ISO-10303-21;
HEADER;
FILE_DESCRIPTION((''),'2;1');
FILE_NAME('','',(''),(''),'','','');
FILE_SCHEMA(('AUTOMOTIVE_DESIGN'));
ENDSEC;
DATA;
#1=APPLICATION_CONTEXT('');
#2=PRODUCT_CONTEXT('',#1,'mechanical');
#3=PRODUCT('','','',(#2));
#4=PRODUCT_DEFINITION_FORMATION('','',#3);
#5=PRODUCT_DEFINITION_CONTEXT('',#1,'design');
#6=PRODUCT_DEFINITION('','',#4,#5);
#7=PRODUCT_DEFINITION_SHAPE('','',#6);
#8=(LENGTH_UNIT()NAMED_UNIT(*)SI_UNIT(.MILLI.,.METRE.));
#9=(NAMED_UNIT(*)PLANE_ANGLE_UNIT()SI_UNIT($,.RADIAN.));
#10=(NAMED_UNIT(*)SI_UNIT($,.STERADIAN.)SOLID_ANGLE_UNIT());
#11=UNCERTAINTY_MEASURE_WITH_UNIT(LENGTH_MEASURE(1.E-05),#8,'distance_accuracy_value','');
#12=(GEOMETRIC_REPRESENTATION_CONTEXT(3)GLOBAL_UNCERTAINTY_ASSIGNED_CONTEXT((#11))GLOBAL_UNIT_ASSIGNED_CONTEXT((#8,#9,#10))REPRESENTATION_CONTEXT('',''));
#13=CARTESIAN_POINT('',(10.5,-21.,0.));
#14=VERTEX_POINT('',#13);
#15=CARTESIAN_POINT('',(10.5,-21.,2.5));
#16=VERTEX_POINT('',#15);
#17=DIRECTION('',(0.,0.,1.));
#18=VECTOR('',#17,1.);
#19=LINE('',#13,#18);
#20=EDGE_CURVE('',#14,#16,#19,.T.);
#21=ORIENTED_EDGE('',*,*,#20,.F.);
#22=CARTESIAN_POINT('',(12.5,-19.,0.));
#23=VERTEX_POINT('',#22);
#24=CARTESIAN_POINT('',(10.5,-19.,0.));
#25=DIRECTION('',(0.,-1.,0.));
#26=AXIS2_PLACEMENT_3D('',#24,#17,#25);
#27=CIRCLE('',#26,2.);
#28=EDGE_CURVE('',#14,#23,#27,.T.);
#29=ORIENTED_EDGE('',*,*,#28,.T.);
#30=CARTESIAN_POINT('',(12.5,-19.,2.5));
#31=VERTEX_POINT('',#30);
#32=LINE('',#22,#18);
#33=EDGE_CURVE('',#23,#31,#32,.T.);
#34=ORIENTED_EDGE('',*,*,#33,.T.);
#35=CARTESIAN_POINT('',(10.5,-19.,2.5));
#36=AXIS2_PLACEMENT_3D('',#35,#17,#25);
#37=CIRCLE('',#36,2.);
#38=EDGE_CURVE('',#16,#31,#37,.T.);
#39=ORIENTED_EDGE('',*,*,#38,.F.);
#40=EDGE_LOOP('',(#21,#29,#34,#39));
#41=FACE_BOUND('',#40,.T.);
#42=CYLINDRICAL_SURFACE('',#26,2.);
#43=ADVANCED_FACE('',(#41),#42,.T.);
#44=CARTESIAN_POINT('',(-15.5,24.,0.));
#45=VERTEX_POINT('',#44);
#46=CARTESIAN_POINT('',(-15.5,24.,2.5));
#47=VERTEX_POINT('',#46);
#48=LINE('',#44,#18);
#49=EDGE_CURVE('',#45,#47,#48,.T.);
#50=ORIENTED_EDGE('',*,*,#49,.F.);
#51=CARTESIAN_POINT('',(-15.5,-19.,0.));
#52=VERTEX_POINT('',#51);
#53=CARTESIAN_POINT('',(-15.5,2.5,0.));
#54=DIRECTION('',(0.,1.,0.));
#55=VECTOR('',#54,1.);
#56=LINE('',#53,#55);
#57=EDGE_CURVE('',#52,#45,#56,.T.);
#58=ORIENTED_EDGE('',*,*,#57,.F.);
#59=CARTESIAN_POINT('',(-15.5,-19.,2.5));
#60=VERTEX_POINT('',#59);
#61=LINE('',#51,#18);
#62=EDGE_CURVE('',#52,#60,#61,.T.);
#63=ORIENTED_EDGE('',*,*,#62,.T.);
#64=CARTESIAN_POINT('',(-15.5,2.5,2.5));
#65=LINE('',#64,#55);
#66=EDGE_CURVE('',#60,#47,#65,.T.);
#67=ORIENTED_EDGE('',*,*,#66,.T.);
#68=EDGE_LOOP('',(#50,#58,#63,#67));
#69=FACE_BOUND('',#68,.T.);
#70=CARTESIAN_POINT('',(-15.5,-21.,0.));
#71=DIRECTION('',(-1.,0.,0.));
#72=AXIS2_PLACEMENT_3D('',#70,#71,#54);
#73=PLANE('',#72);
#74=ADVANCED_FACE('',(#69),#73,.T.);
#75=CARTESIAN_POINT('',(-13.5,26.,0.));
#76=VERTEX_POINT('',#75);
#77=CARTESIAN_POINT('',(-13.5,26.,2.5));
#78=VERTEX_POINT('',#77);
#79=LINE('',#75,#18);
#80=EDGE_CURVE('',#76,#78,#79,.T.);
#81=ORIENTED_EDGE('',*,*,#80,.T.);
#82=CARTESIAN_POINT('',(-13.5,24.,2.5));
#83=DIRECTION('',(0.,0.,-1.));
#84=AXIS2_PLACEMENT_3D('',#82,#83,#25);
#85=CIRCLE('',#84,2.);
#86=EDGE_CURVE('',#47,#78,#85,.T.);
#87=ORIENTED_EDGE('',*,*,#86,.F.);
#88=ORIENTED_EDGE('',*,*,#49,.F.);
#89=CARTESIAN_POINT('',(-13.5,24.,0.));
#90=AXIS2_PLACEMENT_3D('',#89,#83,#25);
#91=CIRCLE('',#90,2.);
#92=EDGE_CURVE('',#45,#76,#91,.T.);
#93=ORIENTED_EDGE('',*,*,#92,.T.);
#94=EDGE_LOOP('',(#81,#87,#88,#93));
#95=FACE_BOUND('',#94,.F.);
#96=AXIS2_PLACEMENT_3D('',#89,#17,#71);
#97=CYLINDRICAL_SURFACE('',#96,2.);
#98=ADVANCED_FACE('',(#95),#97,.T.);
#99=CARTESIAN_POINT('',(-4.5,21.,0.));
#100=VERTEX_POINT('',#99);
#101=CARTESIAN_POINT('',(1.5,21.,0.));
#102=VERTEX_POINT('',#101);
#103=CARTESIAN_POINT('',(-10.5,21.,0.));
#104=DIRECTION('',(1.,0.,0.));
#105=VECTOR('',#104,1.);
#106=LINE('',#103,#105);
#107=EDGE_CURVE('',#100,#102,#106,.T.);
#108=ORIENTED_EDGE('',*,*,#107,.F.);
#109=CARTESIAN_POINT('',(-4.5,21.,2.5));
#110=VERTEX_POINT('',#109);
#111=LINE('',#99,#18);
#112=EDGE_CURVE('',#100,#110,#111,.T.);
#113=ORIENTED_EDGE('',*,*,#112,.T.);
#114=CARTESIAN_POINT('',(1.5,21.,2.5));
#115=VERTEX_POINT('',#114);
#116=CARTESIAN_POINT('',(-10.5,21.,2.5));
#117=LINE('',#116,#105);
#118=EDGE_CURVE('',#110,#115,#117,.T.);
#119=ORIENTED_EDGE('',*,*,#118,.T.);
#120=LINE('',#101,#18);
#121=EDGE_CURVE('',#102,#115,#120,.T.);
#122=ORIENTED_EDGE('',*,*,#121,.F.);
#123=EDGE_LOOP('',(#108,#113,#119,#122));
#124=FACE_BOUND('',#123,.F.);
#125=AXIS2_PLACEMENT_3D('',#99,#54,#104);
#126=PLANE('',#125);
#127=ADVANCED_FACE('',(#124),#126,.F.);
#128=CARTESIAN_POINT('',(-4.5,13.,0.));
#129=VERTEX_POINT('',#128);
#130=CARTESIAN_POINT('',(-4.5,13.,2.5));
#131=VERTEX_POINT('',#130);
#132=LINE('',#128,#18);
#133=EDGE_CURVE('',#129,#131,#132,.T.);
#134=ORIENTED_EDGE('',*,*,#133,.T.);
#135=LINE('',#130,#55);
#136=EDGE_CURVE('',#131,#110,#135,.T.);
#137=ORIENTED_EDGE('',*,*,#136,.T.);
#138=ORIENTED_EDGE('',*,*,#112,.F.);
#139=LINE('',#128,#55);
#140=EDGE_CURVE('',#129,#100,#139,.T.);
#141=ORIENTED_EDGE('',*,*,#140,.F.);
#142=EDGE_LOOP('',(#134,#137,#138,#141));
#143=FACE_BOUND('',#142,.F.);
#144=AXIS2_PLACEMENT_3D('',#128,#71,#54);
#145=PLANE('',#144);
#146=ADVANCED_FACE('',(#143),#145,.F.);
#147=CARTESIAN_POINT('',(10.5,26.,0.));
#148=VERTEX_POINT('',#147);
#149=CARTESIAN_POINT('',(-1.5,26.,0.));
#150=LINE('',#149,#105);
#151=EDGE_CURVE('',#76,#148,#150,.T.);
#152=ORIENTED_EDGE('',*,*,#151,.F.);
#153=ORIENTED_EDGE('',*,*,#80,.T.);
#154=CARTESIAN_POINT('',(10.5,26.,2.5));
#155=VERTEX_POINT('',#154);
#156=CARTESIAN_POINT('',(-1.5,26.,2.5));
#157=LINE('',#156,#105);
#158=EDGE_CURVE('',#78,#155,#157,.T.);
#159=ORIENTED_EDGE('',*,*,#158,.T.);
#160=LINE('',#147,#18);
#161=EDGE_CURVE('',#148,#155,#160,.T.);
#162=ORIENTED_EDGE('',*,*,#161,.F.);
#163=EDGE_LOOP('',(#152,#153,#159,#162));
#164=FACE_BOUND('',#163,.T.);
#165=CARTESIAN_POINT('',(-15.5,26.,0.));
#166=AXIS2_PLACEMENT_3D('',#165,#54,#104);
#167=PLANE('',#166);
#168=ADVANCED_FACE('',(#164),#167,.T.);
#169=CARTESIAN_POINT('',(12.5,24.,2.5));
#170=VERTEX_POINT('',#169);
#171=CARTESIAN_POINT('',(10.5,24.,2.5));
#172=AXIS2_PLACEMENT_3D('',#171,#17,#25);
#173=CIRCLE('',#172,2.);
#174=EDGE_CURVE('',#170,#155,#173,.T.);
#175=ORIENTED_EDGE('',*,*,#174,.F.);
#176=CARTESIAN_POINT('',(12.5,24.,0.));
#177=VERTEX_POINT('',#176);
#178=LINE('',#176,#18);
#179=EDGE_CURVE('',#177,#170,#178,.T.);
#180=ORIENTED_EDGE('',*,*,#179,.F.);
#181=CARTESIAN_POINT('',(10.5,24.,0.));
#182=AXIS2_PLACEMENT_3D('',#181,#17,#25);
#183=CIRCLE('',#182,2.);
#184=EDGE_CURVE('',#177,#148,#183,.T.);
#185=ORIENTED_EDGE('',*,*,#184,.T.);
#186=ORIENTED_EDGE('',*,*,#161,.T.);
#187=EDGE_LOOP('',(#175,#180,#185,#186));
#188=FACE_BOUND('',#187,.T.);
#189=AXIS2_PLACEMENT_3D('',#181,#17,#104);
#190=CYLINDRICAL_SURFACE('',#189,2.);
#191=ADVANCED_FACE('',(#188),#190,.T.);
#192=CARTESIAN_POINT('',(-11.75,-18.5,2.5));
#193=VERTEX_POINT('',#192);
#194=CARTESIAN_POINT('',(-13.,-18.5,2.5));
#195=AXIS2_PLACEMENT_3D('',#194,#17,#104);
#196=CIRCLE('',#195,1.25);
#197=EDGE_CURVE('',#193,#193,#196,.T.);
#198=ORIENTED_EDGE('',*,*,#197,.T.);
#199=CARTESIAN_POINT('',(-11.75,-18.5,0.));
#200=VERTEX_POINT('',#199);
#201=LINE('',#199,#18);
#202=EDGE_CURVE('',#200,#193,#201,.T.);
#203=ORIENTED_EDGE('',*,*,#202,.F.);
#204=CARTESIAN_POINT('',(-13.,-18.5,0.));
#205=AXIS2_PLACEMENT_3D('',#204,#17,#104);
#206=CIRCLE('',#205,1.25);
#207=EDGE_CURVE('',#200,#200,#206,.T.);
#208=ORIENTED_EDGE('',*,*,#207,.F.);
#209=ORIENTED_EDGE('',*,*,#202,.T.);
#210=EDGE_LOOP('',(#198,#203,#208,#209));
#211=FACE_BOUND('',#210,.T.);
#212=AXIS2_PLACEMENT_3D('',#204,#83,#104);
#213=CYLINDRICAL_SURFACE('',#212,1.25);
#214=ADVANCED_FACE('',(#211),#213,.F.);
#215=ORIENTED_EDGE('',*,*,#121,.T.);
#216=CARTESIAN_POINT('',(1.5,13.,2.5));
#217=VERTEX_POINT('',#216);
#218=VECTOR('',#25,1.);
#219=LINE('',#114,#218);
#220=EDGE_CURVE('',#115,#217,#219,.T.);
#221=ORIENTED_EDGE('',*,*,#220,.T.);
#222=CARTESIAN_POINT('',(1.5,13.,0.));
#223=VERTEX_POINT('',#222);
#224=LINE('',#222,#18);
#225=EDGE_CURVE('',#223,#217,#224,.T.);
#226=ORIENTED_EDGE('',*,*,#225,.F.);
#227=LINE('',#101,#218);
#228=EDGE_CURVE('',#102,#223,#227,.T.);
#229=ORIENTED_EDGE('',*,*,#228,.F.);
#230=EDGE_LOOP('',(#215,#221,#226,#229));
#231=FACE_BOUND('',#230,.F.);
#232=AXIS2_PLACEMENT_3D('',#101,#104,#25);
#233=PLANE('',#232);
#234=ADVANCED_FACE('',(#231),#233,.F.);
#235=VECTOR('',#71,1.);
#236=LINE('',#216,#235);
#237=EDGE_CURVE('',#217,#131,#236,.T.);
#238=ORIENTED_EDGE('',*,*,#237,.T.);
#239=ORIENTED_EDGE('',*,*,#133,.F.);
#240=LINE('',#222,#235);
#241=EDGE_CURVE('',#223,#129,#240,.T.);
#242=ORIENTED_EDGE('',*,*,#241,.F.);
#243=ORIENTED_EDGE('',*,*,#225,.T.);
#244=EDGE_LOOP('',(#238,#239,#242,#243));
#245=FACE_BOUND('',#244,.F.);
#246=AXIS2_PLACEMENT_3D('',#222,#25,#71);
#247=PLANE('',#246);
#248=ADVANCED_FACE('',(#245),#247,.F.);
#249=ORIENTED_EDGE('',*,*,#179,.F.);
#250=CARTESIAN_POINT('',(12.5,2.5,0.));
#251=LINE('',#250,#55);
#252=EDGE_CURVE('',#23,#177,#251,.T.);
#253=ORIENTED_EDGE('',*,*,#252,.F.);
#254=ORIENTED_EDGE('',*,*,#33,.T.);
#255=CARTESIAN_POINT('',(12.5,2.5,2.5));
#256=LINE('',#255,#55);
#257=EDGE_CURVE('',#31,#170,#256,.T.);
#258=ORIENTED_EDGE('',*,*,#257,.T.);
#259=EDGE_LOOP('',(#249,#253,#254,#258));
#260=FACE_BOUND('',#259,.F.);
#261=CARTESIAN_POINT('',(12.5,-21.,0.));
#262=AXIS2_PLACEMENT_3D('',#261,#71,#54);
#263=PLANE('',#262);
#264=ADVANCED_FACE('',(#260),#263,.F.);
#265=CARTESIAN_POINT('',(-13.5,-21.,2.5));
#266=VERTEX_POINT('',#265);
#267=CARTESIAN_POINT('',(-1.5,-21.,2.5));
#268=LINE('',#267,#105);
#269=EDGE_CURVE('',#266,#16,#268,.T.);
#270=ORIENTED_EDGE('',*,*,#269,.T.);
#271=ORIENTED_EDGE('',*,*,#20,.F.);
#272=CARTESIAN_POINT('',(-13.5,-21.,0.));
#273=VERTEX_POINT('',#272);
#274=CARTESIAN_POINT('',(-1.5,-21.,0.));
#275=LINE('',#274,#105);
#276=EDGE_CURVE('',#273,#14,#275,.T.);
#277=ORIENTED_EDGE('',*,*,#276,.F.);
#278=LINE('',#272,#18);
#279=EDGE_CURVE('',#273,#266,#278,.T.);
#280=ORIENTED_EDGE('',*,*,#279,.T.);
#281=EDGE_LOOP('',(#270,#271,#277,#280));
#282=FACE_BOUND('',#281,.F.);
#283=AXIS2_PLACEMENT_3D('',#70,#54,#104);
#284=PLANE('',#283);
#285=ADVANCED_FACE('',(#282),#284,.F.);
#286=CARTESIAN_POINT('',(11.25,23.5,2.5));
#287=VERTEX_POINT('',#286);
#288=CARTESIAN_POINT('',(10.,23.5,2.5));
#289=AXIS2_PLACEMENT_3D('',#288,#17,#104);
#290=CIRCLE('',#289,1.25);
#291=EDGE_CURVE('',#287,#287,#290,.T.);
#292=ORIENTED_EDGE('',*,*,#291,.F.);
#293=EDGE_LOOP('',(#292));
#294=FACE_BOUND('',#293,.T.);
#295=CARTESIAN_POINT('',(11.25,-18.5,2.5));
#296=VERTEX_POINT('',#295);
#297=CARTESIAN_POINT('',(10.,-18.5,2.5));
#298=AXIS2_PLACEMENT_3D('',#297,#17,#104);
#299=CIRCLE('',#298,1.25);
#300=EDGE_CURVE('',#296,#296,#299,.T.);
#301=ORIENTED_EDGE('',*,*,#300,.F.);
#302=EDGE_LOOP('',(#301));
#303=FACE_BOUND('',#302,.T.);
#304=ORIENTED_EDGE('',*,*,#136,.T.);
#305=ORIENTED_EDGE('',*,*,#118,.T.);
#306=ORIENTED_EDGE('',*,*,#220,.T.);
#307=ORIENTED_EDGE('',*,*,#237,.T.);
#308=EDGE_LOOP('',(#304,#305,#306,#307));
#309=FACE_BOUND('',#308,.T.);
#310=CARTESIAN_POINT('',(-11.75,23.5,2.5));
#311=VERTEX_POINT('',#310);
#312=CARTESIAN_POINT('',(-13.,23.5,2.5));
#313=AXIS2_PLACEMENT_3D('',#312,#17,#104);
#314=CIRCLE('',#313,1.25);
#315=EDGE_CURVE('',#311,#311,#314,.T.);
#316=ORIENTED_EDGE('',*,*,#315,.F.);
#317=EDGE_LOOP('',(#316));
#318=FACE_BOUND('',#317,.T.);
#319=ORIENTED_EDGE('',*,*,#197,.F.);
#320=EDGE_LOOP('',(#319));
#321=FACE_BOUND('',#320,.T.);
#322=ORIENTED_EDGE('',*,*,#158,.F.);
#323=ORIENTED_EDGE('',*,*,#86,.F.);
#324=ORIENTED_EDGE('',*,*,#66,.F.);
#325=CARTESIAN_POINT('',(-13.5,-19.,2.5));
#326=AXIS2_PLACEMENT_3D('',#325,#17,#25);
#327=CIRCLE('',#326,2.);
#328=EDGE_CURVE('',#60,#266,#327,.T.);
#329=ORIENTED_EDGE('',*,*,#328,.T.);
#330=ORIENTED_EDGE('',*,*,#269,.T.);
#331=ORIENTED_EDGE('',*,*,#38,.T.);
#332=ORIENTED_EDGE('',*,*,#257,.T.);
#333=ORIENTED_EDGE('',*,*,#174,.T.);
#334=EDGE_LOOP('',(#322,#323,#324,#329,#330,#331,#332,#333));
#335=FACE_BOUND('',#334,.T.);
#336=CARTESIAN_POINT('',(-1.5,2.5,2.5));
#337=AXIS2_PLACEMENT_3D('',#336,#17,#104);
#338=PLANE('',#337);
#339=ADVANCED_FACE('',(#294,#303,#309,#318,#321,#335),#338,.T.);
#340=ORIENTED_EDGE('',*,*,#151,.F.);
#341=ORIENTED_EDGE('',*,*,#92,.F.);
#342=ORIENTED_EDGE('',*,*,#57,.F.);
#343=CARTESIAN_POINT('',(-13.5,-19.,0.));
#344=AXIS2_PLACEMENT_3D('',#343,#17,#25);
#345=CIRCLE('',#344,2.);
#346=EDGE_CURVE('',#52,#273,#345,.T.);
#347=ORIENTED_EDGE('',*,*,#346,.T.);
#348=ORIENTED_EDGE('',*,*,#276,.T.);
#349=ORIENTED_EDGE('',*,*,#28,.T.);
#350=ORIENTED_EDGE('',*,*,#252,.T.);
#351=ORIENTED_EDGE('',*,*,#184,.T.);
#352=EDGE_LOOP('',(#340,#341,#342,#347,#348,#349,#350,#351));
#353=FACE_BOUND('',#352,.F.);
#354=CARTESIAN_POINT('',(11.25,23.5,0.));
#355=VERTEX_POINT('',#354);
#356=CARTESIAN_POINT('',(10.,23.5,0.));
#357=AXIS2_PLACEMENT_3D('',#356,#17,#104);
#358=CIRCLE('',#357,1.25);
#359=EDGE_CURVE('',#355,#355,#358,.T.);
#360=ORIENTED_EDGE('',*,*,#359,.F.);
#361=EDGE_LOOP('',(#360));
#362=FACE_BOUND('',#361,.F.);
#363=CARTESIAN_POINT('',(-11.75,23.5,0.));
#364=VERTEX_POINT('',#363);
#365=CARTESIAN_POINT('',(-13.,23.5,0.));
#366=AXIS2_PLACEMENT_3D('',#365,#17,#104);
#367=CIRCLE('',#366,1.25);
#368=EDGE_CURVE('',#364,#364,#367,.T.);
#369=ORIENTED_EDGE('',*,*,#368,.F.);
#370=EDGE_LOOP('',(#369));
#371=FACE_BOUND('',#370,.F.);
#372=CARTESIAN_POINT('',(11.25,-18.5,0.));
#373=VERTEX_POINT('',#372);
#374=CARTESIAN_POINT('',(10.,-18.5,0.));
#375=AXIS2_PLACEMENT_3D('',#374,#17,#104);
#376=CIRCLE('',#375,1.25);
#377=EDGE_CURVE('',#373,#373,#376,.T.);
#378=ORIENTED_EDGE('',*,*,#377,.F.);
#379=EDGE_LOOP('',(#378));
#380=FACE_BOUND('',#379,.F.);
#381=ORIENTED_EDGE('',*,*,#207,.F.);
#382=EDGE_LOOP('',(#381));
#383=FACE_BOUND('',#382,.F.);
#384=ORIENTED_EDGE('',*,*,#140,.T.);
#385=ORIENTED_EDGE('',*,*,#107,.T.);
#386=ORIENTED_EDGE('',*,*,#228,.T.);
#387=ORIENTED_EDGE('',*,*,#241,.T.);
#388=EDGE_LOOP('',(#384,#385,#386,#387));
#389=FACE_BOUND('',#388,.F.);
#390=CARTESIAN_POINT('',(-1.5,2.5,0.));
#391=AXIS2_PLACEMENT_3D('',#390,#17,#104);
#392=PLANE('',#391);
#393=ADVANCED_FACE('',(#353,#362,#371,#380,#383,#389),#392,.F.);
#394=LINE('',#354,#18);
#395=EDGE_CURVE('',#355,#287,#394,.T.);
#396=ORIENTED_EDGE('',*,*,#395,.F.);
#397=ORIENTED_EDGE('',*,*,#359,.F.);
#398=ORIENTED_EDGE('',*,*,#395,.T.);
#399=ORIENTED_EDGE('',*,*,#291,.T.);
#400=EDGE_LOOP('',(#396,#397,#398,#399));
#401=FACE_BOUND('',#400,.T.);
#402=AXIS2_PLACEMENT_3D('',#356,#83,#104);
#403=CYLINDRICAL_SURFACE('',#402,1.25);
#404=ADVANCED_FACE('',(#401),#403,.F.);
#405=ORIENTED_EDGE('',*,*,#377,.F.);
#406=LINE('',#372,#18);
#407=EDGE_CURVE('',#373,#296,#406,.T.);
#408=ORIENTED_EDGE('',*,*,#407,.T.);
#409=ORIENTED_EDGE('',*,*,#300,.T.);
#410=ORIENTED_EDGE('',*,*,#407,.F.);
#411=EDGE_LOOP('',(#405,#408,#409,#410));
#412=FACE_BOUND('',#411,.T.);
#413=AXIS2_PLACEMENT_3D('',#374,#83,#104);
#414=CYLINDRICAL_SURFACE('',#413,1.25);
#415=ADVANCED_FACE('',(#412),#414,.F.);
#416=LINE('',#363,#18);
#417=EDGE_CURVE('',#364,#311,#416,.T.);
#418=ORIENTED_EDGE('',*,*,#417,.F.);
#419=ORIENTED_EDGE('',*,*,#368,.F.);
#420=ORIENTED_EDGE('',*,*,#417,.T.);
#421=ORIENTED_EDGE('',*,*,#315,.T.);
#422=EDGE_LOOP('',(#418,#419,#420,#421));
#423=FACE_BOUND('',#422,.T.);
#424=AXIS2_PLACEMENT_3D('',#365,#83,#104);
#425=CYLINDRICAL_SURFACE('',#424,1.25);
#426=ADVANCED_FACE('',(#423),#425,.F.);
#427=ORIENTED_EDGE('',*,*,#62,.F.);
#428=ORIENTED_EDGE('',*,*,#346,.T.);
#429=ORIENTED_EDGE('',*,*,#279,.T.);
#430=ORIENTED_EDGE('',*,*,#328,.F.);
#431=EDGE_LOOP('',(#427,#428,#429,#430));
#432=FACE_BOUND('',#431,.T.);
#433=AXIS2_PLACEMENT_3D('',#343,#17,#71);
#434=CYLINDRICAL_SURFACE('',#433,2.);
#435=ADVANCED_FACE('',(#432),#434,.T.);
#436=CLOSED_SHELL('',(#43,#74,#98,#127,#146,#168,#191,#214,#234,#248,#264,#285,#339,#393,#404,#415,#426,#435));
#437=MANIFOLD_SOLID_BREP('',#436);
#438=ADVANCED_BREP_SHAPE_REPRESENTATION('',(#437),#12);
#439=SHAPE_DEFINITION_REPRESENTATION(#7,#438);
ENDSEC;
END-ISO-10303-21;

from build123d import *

# Parameters (mm, degrees)
F0_W     = 28
F0_H     = 47
F0_R     = 1.25
F1_DEPTH = 2.5
F2_R     = 2


with BuildPart() as f1:
    # F0 (on Top) → F1 (new body)
    with BuildSketch(Plane.XY):
        with Locations((-1.5, 2.5)):
            Rectangle(F0_W, F0_H)
        with Locations((-13, -18.5)):
            Circle(F0_R, mode=Mode.SUBTRACT)
        with Locations((10, -18.5)):
            Circle(F0_R, mode=Mode.SUBTRACT)
        with Locations((-13, 23.5)):
            Circle(F0_R, mode=Mode.SUBTRACT)
        Polygon((7.5, 21), (7.5, -16), (-10.5, -16), (-10.5, 21), (-4.5, 21), (1.5, 21), align=None, mode=Mode.SUBTRACT)
        with Locations((10, 23.5)):
            Circle(F0_R, mode=Mode.SUBTRACT)
        Polygon((-10.5, -16), (7.5, -16), (7.5, 21), (1.5, 21), (1.5, 13), (-4.5, 13), (-4.5, 21), (-10.5, 21), align=None)
    extrude(amount=F1_DEPTH)

    # F2
    f2_edges = [f1.edges().sort_by_distance(p)[0] for p in [
        (-15.5, 26, 1.25),
        (12.5, 26, 1.25),
        (12.5, -21, 1.25),
        (-15.5, -21, 1.25),
    ]]
    fillet(f2_edges, radius=F2_R)


solid = f1.part
